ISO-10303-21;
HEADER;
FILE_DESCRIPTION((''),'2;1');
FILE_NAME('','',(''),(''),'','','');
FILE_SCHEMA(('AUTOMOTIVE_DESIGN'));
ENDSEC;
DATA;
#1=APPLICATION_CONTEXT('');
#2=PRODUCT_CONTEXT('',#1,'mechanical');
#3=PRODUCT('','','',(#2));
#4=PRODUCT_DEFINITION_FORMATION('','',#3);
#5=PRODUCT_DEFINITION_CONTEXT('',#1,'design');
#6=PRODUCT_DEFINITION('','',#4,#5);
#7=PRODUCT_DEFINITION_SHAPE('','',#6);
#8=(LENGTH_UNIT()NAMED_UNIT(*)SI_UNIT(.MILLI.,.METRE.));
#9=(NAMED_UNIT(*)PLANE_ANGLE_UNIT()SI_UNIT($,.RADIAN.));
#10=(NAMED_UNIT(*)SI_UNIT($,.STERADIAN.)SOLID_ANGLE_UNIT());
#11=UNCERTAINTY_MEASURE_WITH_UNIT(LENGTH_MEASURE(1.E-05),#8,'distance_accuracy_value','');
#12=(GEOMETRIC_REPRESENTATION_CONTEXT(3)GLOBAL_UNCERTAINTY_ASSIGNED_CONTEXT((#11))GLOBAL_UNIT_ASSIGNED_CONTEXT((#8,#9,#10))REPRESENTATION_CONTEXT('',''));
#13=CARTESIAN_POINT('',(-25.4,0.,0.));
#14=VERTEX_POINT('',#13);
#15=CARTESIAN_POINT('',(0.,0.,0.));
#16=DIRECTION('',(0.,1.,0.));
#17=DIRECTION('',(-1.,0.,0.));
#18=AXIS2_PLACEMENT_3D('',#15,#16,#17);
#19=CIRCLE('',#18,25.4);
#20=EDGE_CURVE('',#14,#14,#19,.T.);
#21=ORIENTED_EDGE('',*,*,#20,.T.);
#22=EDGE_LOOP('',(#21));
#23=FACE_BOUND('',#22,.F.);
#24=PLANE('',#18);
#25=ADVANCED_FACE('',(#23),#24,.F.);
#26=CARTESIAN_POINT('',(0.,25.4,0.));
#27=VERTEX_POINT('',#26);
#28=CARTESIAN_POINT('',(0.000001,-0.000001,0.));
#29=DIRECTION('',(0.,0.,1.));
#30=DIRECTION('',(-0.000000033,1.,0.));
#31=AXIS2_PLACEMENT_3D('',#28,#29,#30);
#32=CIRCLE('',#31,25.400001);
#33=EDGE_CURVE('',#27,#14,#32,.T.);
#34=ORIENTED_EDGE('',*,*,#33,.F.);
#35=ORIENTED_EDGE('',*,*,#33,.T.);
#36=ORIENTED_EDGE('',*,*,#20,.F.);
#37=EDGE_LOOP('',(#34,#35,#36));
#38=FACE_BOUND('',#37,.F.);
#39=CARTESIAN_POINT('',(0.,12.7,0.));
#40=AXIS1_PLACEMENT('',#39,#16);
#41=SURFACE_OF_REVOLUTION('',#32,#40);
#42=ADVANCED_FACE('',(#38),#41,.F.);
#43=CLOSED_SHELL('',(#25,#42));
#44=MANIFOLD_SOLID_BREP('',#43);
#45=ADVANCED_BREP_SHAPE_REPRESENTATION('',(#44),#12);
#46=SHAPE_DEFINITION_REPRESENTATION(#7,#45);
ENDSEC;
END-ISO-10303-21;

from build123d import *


with BuildPart() as f1:
    # F0 (on Top) → F1 (revolve)
    with BuildSketch(Plane.XY):
        with BuildLine():
            Line((-25.4, 0), (0, 0))
            Line((0, 0), (0, 25.4))
            ThreePointArc((0, 25.4), (-17.960512, 17.960512), (-25.4, 0))
        make_face()
    revolve(axis=Axis((0, 12.7, 0), (0, 1, 0)))


solid = f1.part
